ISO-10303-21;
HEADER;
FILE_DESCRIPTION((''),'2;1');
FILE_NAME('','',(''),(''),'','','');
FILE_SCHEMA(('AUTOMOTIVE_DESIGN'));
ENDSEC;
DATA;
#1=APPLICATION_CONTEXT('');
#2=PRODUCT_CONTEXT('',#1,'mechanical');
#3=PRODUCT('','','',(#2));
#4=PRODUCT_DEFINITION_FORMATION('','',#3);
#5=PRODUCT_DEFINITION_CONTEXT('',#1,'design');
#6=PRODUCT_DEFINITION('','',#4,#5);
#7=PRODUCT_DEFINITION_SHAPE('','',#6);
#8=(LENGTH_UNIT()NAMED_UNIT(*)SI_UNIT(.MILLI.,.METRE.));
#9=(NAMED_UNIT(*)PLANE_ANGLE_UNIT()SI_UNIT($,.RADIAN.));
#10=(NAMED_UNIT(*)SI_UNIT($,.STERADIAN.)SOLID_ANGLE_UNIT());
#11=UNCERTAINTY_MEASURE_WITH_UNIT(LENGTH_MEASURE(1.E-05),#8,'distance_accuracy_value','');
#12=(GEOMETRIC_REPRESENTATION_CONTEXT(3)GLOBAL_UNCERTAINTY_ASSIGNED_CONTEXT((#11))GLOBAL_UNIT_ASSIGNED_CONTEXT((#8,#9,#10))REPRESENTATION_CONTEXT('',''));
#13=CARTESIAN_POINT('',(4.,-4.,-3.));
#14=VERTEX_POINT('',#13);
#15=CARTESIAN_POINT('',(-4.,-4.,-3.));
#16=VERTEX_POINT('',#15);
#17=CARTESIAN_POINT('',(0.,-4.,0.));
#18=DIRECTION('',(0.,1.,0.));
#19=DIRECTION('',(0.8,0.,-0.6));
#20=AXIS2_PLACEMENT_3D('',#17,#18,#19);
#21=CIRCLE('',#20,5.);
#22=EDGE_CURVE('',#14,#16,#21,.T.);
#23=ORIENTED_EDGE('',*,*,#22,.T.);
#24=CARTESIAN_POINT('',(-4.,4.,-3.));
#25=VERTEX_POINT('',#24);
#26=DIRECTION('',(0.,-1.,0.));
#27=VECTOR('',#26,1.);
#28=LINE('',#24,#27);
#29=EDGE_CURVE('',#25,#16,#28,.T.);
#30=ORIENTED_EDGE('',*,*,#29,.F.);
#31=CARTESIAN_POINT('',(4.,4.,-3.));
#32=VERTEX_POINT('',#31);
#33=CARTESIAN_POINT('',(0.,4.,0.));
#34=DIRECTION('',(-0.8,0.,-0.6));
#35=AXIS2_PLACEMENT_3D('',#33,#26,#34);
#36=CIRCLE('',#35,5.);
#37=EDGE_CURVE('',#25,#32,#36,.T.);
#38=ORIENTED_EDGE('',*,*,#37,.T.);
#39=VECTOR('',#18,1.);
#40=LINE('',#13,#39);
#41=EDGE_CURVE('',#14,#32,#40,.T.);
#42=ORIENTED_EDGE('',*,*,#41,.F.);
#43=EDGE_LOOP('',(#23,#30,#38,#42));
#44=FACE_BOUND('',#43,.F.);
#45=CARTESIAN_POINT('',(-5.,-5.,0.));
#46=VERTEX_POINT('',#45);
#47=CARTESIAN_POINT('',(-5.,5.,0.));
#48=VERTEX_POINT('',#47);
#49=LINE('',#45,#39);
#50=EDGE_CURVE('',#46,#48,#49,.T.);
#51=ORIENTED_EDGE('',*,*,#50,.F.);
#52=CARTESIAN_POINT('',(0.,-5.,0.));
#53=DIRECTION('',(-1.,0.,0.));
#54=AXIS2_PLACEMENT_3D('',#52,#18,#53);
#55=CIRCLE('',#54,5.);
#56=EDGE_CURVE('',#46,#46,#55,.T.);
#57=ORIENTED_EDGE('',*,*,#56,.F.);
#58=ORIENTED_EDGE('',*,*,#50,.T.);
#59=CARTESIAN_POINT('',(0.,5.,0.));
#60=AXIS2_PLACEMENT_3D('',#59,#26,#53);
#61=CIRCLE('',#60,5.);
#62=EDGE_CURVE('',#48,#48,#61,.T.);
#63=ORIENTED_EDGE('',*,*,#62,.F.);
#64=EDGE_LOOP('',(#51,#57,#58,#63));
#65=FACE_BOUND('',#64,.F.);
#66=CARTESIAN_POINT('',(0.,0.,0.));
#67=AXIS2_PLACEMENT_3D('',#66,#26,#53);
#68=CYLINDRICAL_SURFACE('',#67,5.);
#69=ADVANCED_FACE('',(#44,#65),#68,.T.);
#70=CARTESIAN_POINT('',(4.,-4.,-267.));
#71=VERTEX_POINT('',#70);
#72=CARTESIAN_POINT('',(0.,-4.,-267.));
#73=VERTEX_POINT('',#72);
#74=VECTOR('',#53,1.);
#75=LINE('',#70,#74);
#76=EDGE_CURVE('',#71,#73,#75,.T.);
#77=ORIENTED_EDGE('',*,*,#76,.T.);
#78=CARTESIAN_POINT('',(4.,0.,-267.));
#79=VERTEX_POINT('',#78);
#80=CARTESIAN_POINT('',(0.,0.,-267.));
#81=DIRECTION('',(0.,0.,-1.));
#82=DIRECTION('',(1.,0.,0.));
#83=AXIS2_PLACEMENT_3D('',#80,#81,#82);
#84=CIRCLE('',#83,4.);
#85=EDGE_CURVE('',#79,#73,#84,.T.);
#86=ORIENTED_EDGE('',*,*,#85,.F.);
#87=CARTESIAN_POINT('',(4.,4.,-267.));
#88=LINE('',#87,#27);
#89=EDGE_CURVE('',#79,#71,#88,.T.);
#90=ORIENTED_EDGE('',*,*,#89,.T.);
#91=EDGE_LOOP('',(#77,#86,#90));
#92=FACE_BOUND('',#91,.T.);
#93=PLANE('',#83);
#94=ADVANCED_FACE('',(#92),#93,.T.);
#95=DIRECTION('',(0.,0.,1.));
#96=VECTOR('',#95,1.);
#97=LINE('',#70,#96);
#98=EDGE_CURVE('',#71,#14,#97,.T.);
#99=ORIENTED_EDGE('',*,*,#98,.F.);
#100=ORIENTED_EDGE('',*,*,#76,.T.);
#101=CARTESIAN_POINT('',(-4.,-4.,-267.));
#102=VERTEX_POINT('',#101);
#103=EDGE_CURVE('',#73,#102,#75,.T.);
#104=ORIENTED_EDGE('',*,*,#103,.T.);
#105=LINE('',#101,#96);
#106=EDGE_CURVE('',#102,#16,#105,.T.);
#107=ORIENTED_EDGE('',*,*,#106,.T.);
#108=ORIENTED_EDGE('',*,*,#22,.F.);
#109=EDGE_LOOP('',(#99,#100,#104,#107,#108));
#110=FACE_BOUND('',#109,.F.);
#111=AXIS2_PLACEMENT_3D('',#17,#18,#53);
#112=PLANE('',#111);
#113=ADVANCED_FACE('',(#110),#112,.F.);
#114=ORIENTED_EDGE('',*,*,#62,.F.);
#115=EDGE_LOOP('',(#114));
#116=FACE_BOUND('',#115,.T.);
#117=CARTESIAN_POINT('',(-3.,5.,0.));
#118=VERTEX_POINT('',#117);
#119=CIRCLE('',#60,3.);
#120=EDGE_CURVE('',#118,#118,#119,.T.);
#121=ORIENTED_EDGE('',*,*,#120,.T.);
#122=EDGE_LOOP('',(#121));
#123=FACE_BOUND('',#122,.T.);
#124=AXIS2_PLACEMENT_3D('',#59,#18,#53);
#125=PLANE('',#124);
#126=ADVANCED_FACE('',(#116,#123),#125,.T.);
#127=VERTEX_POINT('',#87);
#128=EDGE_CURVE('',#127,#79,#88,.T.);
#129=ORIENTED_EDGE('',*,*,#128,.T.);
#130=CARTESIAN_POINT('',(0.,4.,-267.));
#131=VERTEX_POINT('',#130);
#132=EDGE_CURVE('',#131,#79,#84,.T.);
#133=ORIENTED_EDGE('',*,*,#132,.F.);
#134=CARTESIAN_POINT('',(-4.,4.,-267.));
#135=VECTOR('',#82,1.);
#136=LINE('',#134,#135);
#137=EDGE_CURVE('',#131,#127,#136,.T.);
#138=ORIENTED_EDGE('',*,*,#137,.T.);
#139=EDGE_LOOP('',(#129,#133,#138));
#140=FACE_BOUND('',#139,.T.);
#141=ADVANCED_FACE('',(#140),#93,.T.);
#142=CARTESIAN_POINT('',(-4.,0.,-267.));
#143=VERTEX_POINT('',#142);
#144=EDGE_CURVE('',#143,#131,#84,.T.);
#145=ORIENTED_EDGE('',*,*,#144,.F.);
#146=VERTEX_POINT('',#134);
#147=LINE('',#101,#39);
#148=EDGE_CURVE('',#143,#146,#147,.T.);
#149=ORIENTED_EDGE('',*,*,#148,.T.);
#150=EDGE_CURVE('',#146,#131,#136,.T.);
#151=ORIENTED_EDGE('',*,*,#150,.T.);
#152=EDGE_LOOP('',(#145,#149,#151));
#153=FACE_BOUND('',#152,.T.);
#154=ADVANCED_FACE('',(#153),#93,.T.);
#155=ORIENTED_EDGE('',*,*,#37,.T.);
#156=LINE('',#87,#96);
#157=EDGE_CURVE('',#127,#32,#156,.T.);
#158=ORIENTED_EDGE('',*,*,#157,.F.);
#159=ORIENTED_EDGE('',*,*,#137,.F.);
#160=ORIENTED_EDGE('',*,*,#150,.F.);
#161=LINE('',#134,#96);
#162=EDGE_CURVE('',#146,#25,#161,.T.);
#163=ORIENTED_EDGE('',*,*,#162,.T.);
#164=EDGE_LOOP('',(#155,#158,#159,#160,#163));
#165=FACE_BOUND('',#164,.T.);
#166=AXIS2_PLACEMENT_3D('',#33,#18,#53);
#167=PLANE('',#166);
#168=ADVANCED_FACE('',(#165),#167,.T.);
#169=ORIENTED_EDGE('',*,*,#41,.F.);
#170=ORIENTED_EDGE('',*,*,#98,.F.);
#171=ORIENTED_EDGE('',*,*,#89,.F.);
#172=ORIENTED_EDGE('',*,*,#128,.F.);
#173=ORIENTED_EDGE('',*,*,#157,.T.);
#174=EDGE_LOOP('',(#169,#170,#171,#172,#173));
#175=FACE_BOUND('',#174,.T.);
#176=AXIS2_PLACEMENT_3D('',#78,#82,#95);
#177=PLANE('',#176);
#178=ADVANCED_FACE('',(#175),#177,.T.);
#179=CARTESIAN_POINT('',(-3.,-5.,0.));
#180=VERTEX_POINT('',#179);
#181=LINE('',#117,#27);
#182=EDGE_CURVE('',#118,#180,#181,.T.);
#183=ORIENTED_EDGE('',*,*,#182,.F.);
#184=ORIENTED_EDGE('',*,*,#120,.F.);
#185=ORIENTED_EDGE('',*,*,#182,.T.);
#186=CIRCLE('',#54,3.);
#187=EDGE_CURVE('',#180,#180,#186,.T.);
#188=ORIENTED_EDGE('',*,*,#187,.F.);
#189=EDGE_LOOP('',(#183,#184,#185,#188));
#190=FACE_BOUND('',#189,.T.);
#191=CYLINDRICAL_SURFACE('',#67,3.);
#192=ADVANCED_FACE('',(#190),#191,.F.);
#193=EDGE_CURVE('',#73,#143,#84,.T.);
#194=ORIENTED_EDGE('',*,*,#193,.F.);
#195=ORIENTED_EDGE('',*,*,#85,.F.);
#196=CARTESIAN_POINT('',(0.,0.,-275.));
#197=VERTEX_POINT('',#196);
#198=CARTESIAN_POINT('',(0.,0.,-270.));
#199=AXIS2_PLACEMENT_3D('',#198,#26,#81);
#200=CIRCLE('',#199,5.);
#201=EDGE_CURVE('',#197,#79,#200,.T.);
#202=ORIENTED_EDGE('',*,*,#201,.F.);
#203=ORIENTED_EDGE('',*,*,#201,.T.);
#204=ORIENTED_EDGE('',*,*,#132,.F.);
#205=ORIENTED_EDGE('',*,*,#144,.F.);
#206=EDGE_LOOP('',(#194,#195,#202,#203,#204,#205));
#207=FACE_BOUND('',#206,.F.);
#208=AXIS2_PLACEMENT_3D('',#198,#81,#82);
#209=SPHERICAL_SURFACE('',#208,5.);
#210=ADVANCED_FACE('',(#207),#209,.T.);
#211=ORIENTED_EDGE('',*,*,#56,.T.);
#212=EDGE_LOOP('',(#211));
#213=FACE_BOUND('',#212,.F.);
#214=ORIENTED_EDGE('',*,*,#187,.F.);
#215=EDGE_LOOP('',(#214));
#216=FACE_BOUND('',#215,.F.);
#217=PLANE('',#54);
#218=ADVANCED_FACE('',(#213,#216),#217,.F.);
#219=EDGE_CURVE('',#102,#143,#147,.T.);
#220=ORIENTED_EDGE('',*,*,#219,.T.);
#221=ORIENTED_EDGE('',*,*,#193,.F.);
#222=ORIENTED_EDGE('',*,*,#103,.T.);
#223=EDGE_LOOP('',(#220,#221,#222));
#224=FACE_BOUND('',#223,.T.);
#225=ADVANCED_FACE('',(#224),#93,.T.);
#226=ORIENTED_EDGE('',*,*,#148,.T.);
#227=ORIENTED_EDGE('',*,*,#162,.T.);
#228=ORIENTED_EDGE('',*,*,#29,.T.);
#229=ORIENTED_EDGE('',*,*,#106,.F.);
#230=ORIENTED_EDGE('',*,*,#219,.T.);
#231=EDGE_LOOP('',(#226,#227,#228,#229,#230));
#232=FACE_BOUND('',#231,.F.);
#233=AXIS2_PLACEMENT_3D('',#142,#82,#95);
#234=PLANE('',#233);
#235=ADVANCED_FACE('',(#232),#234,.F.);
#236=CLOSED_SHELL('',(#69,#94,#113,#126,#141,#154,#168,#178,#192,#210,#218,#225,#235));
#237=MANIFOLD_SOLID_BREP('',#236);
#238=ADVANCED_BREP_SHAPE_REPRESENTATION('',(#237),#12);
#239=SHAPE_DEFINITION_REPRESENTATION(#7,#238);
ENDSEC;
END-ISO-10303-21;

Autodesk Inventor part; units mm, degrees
ref_plane "YZ Plane" through (0, 0, 0) normal (1, 0, 0) x (0, 1, 0)
ref_plane "XZ Plane" through (0, 0, 0) normal (0, 1, 0) x (-1, 0, 0)
ref_plane "XY Plane" through (0, 0, 0) normal (0, 0, 1) x (1, 0, 0)
sketch "スケッチ1" plane through (0, 0, 0) normal (0, 1, 0) x (-1, 0, 0)
  line L0 (0, -331.5666) -> (0, 61.0944) projected
  line L1 (-9.0498, 0) -> (7.3416, 0) projected
  circle A0 centre (0, 0) radius 5
  circle A1 centre (0, 0) radius 3
  arc A2 (4, -267) -> (0, -275) centre (0, -270) ccw
  line L2 (4, -267) -> (4, -3)
  line L3 (-4, -267) -> (-4, -3)
  line L4 (0, -275) -> (0, -265)
  line L5 (4, -267) -> (-4, -267)
  dimension "d0" = 10
  dimension "d1" = 6
  dimension "d2" = 10
  dimension "d3" = 270
  dimension "d4" = 8
extrude "押し出し1" add sketch "スケッチ1" along normal mid plane 10 contours A0 L1 A1 L0 | L0 A1 L1 A0 | A0 L0 A1 L1 | L1 A1 L0 A0
revolve "回転1" add sketch "スケッチ1" angle 360 about axis through (0, 0, 0) along (0, 0, 1) picked at (-0.4059, -272.2831) picked at (-2.4012, -266.7204) contours A2 L5 L0 | L5 A2 L0
extrude "押し出し2" add sketch "スケッチ1" along normal mid plane 8 contours L5 A2 L0 | L0 A2 L5 | L3 A0 L0 A2 | L0 A0 L2 A2 picked at (-2.4012, -266.7204) picked at (2.4012, -266.7204)
properties part number "LinkRod"
